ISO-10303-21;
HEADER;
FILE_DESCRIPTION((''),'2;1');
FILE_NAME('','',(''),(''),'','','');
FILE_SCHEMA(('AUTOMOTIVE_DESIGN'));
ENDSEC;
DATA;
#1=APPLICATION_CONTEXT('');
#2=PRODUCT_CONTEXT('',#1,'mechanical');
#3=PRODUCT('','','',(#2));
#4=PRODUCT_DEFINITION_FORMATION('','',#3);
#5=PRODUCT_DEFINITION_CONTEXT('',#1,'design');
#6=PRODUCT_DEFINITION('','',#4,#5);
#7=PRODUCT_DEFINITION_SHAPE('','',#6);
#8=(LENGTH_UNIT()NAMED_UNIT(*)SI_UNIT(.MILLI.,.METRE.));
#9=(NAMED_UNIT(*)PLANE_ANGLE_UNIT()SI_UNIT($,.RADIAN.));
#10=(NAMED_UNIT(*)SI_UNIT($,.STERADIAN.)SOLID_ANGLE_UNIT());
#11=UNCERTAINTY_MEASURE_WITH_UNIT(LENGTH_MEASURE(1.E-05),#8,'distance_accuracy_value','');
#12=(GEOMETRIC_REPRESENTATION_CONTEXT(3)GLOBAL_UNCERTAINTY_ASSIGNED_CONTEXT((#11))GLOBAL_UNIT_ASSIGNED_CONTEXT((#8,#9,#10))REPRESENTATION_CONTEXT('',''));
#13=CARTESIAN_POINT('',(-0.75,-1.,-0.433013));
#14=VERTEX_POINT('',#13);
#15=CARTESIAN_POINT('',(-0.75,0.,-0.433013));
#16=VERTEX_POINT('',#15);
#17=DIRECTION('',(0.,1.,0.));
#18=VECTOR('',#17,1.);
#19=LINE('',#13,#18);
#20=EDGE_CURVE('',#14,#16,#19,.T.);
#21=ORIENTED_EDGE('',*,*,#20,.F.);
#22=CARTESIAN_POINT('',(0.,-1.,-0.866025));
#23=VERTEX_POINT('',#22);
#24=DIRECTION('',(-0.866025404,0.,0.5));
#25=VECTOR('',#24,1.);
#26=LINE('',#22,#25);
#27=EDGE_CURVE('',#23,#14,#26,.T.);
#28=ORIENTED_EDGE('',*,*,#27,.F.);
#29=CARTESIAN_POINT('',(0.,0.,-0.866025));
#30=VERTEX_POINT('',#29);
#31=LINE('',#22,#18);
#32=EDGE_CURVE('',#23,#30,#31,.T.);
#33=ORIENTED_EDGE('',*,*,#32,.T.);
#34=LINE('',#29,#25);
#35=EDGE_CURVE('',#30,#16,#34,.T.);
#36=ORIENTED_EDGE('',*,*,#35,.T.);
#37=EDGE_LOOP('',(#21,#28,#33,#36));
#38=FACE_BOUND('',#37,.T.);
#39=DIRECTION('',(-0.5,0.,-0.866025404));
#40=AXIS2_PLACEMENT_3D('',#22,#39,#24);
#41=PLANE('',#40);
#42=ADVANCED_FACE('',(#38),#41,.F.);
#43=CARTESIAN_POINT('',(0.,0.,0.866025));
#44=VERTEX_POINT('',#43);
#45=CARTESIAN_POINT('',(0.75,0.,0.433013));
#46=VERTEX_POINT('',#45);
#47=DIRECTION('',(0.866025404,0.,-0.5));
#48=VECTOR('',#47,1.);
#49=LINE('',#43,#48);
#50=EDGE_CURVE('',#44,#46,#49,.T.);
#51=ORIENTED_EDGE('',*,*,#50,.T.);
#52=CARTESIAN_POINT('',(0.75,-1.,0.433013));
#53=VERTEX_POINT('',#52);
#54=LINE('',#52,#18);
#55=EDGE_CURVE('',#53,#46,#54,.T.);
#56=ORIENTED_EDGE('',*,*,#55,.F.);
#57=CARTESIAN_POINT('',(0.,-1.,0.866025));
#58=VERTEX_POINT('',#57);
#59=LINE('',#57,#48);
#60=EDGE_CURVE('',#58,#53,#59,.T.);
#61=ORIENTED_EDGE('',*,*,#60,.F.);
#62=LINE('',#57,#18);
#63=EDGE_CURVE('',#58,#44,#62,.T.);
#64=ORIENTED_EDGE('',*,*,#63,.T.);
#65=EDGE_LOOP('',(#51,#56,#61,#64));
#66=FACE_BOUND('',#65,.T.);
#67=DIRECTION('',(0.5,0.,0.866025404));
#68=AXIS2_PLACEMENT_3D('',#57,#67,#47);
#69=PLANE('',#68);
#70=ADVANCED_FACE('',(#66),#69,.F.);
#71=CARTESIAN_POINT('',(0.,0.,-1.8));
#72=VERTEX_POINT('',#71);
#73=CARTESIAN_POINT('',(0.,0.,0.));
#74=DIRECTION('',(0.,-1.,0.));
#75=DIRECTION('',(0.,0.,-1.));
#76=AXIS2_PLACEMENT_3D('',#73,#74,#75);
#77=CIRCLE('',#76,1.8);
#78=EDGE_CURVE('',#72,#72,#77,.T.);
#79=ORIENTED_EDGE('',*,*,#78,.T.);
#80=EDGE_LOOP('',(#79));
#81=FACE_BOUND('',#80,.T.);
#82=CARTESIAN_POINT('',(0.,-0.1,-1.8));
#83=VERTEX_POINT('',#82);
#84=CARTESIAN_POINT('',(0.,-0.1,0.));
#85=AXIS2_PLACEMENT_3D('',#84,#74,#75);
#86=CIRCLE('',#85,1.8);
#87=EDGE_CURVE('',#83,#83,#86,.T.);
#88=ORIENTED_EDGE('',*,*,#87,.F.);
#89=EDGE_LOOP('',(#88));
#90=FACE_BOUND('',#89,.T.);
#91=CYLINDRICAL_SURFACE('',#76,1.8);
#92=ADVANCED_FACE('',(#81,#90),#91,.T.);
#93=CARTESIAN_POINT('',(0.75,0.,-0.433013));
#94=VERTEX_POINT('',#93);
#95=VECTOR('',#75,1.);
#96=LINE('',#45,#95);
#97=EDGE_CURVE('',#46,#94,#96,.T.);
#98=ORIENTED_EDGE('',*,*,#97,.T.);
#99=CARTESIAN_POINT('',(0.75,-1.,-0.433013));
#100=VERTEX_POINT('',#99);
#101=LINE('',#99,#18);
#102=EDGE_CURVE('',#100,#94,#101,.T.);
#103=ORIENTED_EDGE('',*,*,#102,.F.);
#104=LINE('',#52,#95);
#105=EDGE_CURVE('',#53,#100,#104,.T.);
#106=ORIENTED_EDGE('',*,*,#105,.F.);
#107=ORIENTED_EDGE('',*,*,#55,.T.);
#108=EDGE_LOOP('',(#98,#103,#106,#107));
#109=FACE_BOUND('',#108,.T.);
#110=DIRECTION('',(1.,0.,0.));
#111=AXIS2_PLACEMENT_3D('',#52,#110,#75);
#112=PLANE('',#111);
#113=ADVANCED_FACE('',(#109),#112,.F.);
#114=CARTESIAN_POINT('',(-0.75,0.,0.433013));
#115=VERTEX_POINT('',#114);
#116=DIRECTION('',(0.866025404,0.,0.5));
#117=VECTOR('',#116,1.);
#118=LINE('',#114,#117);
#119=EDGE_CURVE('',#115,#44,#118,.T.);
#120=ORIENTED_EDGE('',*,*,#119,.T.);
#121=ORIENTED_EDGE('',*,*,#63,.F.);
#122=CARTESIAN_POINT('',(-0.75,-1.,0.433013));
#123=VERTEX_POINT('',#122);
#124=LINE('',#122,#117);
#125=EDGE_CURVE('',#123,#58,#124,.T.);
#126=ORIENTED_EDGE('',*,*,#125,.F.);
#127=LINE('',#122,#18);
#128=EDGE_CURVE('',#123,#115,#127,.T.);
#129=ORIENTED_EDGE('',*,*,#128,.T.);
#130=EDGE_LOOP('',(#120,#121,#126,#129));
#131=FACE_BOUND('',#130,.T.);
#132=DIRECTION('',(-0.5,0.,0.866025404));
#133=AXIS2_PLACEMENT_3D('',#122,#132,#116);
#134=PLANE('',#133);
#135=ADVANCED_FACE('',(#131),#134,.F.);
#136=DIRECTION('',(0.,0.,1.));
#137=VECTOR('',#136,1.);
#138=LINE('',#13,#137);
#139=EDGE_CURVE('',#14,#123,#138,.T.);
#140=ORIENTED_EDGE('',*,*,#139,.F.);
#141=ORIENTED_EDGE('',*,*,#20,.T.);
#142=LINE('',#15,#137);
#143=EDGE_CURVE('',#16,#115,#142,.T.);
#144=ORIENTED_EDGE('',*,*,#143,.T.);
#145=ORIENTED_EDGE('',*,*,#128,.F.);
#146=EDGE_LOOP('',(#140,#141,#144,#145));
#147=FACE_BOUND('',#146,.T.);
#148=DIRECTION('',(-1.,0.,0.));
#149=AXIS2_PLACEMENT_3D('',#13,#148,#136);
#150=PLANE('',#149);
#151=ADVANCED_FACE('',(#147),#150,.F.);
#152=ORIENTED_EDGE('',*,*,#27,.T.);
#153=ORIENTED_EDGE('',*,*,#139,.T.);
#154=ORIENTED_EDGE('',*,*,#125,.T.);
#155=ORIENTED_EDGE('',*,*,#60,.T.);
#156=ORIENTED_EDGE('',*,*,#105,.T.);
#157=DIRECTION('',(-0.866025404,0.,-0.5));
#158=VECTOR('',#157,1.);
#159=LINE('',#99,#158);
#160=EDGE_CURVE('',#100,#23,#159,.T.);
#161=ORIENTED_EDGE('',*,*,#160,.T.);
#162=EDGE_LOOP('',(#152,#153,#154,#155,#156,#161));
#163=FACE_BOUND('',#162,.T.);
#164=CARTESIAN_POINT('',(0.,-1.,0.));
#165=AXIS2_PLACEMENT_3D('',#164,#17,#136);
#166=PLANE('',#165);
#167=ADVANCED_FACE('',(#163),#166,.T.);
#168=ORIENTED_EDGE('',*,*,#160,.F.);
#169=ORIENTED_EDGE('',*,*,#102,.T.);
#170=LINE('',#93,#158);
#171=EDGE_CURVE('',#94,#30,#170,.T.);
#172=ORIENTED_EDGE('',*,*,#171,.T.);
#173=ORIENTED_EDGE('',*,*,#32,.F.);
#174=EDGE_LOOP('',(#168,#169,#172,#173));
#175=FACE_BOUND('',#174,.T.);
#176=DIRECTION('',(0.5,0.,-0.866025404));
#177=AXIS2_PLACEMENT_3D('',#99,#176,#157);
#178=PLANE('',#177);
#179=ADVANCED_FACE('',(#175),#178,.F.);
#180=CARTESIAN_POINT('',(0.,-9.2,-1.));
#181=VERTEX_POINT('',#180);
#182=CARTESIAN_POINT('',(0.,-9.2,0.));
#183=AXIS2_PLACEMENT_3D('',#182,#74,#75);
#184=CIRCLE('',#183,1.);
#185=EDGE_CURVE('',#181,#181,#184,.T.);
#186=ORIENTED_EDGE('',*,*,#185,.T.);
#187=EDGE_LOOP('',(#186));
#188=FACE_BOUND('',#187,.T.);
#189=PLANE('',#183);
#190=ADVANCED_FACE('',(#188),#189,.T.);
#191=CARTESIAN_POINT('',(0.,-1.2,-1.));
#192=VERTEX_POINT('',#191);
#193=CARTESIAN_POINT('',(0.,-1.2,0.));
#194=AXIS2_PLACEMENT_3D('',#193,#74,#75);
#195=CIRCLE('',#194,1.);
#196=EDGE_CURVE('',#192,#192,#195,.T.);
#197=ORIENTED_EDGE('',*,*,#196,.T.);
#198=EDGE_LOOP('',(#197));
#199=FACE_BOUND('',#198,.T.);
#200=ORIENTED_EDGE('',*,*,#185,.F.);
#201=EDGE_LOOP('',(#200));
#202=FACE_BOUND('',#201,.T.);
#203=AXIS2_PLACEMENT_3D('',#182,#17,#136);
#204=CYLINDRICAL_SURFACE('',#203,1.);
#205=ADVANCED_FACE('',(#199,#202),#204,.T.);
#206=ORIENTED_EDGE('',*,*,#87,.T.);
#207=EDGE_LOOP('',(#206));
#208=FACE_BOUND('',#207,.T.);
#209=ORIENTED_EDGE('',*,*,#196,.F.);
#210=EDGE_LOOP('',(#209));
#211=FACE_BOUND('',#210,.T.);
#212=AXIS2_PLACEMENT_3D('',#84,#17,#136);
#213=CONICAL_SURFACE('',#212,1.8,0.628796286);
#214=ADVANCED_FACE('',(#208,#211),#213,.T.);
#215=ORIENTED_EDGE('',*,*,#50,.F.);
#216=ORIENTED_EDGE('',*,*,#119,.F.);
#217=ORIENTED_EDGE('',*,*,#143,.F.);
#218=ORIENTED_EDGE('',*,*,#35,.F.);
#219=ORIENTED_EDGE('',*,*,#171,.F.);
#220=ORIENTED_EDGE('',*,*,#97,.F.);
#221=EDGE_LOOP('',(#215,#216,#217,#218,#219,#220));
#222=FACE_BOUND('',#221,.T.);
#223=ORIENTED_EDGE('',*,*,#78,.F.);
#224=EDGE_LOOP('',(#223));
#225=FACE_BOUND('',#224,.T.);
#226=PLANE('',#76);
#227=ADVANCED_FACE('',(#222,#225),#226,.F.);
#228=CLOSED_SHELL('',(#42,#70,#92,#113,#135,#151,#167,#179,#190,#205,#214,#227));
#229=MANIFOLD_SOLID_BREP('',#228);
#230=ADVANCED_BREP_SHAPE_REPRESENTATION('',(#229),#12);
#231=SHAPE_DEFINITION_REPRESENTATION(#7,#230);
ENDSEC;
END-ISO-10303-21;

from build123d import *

# Parameters (mm, degrees)
CUT_EXTRUDE_1_DEPTH = 1
SKETCH_3_R          = 1
EXTRUDE_2_DEPTH     = 8


with BuildPart() as part:
    # 草图1 → 旋转1 (revolve)
    with BuildSketch(Plane.XY):
        Polygon((0, -1.2), (0, 0), (1.8, 0), (1.8, -0.1), (1, -1.2), align=None)
    revolve(axis=Axis((0, 0, 0), (0, 1, 0)))

    # 草图2 → 切除-拉伸1 (cut)
    with BuildSketch(Plane(origin=(0, 0, 0), x_dir=(1, 0, 0), z_dir=(0, 1, 0))):
        Polygon((0, -0.866025404), (0.75, -0.433012702), (0.75, 0.433012702), (0, 0.866025404), (-0.75, 0.433012702), (-0.75, -0.433012702), align=None)
    extrude(amount=-CUT_EXTRUDE_1_DEPTH, mode=Mode.SUBTRACT)

    # 草图3 → 凸台-拉伸2 (add)
    with BuildSketch(Plane.XZ.offset(1.2)):
        Circle(SKETCH_3_R)
    extrude(amount=EXTRUDE_2_DEPTH)


solid = part.part
